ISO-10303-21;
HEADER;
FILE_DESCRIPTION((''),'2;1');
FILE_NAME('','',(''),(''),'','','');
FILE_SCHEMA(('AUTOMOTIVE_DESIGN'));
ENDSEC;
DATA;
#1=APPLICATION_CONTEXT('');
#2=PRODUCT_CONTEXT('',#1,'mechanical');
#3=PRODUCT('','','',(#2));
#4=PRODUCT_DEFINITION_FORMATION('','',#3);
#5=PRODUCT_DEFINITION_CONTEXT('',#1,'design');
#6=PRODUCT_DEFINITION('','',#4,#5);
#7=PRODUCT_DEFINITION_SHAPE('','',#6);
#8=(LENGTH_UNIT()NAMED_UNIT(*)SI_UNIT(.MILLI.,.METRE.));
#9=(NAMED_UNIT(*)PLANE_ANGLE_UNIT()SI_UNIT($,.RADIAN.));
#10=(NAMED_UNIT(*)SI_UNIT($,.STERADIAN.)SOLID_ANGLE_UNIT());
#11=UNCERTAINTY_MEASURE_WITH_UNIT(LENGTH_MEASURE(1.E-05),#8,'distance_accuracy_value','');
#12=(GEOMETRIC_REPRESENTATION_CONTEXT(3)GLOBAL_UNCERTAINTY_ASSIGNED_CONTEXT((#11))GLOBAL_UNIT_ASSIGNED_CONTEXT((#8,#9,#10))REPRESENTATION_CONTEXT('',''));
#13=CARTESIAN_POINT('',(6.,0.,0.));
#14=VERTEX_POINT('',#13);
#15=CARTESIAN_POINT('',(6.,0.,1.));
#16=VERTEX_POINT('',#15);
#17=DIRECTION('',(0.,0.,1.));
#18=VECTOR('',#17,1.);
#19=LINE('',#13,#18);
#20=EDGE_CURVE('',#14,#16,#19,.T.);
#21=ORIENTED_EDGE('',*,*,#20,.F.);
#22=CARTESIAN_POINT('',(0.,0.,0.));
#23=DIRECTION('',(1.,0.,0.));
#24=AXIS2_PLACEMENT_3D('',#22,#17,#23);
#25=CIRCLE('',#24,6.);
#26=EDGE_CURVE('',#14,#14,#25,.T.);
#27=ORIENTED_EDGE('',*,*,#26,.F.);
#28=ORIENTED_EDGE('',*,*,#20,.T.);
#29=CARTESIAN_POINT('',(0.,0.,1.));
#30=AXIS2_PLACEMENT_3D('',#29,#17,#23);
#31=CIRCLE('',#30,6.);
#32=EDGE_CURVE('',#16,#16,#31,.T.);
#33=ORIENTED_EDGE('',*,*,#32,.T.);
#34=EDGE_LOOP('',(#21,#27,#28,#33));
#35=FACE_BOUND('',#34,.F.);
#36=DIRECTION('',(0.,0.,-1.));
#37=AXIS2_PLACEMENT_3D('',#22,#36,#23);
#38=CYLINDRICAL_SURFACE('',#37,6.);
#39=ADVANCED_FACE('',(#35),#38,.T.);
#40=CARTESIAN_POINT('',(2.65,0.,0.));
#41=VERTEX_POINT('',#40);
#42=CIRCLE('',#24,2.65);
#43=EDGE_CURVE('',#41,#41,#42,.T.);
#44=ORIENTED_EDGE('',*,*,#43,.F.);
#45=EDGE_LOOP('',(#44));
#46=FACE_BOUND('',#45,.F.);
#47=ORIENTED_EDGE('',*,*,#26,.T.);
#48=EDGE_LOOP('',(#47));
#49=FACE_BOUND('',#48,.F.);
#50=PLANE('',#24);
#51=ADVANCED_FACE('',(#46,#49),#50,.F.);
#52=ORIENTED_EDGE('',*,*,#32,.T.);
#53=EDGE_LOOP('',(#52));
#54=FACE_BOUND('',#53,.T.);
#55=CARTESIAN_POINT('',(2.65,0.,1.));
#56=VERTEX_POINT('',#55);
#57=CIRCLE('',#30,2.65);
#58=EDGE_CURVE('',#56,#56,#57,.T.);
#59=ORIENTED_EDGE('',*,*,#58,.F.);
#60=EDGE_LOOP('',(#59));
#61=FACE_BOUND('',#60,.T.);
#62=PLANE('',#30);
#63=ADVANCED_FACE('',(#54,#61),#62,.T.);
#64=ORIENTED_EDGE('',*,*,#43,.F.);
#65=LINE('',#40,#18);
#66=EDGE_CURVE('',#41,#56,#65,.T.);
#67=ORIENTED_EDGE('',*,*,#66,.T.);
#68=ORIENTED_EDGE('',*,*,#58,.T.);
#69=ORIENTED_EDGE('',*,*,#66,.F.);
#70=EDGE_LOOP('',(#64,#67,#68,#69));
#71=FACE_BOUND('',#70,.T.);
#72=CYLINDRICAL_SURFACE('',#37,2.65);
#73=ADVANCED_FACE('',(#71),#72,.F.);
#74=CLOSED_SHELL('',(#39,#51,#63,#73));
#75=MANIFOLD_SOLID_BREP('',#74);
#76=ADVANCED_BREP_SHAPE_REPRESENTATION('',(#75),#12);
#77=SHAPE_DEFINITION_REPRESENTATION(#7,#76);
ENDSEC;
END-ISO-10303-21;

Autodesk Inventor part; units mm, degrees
ref_plane "YZ Plane" through (0, 0, 0) normal (1, 0, 0) x (0, 1, 0)
ref_plane "XZ Plane" through (0, 0, 0) normal (0, 1, 0) x (-1, 0, 0)
ref_plane "XY Plane" through (0, 0, 0) normal (0, 0, 1) x (1, 0, 0)
sketch "スケッチ1" plane through (0, 0, 0) normal (0, 0, 1) x (1, 0, 0)
  circle A0 centre (0, 0) radius 6
  circle A1 centre (0, 0) radius 2.65
  dimension "d0" = 12
  dimension "d1" = 5.3
extrude "押し出し1" add sketch "スケッチ1" along normal blind 1
properties part number "CC-0512-10B" material "アセタール樹脂、黒"
